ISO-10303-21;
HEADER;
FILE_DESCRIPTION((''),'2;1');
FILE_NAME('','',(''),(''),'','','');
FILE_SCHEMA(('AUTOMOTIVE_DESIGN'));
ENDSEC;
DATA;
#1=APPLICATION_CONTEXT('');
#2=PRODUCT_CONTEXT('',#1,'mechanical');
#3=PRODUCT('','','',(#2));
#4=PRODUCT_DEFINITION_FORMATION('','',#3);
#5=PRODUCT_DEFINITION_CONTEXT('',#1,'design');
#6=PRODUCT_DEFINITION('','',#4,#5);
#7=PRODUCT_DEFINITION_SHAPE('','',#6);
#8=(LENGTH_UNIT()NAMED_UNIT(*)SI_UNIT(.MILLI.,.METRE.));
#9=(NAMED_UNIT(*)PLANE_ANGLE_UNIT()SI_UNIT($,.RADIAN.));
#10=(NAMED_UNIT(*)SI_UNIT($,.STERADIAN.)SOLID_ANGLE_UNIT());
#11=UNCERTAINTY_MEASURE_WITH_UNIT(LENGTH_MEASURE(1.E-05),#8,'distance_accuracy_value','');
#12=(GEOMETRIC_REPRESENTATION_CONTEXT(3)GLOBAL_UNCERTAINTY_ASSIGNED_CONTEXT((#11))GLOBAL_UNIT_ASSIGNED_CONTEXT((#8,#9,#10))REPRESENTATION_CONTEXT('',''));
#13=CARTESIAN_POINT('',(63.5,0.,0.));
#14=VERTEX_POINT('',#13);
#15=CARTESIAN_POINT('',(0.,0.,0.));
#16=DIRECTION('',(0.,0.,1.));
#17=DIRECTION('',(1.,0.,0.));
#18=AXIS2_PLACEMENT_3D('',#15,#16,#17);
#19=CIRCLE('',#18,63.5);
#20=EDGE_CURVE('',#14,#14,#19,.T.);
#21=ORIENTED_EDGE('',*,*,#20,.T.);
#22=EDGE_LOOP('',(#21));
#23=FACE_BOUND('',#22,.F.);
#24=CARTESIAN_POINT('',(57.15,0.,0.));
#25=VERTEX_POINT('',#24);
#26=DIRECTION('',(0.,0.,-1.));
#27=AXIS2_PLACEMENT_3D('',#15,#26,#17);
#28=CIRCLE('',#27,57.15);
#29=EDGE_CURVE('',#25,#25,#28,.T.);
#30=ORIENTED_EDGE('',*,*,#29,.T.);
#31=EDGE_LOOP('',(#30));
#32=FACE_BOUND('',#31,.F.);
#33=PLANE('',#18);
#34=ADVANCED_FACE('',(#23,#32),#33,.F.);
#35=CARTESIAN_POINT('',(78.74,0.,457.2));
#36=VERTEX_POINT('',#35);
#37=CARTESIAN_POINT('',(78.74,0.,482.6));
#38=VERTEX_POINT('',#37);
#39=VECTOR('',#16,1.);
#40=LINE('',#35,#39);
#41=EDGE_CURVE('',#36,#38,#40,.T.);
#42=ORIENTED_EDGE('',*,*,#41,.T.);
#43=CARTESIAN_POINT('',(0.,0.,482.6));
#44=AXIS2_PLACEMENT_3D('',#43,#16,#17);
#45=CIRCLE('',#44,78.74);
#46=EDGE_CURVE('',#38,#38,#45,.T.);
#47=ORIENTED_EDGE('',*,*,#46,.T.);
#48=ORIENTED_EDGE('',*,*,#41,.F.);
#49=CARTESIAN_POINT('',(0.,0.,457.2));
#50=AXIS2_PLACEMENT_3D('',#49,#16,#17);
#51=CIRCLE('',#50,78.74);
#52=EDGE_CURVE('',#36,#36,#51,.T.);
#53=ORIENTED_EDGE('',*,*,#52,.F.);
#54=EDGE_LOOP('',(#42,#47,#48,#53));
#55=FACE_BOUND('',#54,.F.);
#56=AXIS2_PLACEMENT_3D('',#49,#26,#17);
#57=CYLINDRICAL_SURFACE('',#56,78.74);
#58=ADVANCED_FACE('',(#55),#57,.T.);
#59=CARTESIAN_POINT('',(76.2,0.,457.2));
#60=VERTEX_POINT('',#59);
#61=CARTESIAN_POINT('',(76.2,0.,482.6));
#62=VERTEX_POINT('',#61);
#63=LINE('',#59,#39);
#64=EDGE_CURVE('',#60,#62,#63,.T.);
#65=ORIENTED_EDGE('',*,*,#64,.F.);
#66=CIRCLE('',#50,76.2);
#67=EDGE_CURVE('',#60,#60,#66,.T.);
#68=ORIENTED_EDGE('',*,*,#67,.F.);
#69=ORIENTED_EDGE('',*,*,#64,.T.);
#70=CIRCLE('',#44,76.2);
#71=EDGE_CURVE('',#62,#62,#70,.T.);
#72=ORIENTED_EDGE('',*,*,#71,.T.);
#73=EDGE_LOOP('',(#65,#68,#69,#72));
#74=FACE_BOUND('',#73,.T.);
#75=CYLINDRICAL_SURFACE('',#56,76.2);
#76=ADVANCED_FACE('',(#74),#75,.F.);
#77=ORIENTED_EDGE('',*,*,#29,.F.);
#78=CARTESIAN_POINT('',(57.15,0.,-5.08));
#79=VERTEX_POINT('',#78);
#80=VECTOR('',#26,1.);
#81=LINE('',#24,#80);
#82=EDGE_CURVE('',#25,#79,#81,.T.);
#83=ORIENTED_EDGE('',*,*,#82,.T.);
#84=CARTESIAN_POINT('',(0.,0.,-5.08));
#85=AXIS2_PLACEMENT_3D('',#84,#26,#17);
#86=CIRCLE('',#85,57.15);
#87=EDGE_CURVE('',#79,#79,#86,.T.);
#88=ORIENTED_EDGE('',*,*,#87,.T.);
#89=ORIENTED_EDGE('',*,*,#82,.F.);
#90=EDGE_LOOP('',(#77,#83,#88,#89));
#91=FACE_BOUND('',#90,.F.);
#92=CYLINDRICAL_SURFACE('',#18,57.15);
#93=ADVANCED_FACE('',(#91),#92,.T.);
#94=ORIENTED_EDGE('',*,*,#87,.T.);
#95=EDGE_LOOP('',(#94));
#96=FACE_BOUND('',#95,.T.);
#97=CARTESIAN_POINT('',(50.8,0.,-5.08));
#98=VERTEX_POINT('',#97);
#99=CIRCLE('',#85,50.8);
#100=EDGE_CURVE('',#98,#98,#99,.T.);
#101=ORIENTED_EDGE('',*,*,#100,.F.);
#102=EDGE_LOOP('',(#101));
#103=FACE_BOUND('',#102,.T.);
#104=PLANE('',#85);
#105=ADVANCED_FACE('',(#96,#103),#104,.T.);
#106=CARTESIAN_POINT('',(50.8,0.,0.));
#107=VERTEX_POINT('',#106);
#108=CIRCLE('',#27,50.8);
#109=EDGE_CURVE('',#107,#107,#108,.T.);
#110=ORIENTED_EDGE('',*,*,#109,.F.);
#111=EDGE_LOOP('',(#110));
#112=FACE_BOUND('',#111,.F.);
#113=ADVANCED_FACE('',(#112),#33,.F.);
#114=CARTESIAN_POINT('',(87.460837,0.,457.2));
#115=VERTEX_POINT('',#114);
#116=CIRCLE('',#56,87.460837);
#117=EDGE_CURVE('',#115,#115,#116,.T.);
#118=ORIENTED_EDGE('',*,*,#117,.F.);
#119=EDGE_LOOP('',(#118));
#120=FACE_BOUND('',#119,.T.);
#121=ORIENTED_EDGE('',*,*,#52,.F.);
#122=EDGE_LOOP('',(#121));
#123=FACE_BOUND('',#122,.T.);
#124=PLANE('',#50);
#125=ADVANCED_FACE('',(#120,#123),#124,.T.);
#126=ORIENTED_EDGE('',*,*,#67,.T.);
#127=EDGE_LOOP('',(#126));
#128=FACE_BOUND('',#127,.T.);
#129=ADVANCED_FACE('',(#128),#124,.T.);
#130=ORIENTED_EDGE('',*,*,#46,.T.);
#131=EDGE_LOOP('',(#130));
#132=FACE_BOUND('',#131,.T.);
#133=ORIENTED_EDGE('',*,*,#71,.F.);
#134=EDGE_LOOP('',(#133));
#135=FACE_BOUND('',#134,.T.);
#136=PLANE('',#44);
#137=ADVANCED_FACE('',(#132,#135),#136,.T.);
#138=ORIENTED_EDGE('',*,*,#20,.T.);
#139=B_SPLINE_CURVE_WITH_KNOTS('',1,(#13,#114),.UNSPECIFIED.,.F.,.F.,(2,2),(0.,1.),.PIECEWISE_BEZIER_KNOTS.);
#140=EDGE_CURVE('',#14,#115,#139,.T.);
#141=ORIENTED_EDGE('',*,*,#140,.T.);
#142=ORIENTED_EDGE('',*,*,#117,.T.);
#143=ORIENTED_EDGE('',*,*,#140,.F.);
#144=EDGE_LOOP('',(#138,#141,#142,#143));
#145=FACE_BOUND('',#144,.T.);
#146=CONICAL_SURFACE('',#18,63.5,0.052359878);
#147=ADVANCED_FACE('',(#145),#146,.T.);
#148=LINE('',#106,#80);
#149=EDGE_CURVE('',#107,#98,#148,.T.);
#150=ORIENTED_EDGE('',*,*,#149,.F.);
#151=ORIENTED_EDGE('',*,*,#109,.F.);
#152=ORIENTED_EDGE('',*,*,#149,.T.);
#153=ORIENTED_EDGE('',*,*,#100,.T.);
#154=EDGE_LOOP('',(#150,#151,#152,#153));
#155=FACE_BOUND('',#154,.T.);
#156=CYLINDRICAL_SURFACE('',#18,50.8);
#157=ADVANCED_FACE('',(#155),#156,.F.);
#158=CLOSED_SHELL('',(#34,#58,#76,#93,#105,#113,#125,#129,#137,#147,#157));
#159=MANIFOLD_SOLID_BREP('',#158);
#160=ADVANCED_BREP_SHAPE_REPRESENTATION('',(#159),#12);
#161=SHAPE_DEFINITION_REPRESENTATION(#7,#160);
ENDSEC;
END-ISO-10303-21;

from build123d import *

# Parameters (mm, degrees)
F0_R     = 63.5
F1_DEPTH = 457.2
F1_TAPER = -3
F2_R     = 57.15
F2_R_2   = 50.8
F3_DEPTH = 5.08
F4_R     = 78.74
F4_R_2   = 76.2
F5_DEPTH = 25.4


with BuildPart() as f1:
    # F0 (on Top) → F1 (new body)
    with BuildSketch(Plane.XY):
        Circle(F0_R)
    extrude(amount=F1_DEPTH, taper=F1_TAPER)

    # F2 (on face) → F3 (join)
    with BuildSketch(Plane(origin=(0, 0, 0), x_dir=(1, 0, 0), z_dir=(0, 0, -1))):
        Circle(F2_R)
        Circle(F2_R_2, mode=Mode.SUBTRACT)
    extrude(amount=F3_DEPTH)

    # F4 (on face) → F5 (join)
    with BuildSketch(Plane.XY.offset(457.2)):
        Circle(F4_R)
        Circle(F4_R_2, mode=Mode.SUBTRACT)
    extrude(amount=F5_DEPTH)


solid = f1.part
